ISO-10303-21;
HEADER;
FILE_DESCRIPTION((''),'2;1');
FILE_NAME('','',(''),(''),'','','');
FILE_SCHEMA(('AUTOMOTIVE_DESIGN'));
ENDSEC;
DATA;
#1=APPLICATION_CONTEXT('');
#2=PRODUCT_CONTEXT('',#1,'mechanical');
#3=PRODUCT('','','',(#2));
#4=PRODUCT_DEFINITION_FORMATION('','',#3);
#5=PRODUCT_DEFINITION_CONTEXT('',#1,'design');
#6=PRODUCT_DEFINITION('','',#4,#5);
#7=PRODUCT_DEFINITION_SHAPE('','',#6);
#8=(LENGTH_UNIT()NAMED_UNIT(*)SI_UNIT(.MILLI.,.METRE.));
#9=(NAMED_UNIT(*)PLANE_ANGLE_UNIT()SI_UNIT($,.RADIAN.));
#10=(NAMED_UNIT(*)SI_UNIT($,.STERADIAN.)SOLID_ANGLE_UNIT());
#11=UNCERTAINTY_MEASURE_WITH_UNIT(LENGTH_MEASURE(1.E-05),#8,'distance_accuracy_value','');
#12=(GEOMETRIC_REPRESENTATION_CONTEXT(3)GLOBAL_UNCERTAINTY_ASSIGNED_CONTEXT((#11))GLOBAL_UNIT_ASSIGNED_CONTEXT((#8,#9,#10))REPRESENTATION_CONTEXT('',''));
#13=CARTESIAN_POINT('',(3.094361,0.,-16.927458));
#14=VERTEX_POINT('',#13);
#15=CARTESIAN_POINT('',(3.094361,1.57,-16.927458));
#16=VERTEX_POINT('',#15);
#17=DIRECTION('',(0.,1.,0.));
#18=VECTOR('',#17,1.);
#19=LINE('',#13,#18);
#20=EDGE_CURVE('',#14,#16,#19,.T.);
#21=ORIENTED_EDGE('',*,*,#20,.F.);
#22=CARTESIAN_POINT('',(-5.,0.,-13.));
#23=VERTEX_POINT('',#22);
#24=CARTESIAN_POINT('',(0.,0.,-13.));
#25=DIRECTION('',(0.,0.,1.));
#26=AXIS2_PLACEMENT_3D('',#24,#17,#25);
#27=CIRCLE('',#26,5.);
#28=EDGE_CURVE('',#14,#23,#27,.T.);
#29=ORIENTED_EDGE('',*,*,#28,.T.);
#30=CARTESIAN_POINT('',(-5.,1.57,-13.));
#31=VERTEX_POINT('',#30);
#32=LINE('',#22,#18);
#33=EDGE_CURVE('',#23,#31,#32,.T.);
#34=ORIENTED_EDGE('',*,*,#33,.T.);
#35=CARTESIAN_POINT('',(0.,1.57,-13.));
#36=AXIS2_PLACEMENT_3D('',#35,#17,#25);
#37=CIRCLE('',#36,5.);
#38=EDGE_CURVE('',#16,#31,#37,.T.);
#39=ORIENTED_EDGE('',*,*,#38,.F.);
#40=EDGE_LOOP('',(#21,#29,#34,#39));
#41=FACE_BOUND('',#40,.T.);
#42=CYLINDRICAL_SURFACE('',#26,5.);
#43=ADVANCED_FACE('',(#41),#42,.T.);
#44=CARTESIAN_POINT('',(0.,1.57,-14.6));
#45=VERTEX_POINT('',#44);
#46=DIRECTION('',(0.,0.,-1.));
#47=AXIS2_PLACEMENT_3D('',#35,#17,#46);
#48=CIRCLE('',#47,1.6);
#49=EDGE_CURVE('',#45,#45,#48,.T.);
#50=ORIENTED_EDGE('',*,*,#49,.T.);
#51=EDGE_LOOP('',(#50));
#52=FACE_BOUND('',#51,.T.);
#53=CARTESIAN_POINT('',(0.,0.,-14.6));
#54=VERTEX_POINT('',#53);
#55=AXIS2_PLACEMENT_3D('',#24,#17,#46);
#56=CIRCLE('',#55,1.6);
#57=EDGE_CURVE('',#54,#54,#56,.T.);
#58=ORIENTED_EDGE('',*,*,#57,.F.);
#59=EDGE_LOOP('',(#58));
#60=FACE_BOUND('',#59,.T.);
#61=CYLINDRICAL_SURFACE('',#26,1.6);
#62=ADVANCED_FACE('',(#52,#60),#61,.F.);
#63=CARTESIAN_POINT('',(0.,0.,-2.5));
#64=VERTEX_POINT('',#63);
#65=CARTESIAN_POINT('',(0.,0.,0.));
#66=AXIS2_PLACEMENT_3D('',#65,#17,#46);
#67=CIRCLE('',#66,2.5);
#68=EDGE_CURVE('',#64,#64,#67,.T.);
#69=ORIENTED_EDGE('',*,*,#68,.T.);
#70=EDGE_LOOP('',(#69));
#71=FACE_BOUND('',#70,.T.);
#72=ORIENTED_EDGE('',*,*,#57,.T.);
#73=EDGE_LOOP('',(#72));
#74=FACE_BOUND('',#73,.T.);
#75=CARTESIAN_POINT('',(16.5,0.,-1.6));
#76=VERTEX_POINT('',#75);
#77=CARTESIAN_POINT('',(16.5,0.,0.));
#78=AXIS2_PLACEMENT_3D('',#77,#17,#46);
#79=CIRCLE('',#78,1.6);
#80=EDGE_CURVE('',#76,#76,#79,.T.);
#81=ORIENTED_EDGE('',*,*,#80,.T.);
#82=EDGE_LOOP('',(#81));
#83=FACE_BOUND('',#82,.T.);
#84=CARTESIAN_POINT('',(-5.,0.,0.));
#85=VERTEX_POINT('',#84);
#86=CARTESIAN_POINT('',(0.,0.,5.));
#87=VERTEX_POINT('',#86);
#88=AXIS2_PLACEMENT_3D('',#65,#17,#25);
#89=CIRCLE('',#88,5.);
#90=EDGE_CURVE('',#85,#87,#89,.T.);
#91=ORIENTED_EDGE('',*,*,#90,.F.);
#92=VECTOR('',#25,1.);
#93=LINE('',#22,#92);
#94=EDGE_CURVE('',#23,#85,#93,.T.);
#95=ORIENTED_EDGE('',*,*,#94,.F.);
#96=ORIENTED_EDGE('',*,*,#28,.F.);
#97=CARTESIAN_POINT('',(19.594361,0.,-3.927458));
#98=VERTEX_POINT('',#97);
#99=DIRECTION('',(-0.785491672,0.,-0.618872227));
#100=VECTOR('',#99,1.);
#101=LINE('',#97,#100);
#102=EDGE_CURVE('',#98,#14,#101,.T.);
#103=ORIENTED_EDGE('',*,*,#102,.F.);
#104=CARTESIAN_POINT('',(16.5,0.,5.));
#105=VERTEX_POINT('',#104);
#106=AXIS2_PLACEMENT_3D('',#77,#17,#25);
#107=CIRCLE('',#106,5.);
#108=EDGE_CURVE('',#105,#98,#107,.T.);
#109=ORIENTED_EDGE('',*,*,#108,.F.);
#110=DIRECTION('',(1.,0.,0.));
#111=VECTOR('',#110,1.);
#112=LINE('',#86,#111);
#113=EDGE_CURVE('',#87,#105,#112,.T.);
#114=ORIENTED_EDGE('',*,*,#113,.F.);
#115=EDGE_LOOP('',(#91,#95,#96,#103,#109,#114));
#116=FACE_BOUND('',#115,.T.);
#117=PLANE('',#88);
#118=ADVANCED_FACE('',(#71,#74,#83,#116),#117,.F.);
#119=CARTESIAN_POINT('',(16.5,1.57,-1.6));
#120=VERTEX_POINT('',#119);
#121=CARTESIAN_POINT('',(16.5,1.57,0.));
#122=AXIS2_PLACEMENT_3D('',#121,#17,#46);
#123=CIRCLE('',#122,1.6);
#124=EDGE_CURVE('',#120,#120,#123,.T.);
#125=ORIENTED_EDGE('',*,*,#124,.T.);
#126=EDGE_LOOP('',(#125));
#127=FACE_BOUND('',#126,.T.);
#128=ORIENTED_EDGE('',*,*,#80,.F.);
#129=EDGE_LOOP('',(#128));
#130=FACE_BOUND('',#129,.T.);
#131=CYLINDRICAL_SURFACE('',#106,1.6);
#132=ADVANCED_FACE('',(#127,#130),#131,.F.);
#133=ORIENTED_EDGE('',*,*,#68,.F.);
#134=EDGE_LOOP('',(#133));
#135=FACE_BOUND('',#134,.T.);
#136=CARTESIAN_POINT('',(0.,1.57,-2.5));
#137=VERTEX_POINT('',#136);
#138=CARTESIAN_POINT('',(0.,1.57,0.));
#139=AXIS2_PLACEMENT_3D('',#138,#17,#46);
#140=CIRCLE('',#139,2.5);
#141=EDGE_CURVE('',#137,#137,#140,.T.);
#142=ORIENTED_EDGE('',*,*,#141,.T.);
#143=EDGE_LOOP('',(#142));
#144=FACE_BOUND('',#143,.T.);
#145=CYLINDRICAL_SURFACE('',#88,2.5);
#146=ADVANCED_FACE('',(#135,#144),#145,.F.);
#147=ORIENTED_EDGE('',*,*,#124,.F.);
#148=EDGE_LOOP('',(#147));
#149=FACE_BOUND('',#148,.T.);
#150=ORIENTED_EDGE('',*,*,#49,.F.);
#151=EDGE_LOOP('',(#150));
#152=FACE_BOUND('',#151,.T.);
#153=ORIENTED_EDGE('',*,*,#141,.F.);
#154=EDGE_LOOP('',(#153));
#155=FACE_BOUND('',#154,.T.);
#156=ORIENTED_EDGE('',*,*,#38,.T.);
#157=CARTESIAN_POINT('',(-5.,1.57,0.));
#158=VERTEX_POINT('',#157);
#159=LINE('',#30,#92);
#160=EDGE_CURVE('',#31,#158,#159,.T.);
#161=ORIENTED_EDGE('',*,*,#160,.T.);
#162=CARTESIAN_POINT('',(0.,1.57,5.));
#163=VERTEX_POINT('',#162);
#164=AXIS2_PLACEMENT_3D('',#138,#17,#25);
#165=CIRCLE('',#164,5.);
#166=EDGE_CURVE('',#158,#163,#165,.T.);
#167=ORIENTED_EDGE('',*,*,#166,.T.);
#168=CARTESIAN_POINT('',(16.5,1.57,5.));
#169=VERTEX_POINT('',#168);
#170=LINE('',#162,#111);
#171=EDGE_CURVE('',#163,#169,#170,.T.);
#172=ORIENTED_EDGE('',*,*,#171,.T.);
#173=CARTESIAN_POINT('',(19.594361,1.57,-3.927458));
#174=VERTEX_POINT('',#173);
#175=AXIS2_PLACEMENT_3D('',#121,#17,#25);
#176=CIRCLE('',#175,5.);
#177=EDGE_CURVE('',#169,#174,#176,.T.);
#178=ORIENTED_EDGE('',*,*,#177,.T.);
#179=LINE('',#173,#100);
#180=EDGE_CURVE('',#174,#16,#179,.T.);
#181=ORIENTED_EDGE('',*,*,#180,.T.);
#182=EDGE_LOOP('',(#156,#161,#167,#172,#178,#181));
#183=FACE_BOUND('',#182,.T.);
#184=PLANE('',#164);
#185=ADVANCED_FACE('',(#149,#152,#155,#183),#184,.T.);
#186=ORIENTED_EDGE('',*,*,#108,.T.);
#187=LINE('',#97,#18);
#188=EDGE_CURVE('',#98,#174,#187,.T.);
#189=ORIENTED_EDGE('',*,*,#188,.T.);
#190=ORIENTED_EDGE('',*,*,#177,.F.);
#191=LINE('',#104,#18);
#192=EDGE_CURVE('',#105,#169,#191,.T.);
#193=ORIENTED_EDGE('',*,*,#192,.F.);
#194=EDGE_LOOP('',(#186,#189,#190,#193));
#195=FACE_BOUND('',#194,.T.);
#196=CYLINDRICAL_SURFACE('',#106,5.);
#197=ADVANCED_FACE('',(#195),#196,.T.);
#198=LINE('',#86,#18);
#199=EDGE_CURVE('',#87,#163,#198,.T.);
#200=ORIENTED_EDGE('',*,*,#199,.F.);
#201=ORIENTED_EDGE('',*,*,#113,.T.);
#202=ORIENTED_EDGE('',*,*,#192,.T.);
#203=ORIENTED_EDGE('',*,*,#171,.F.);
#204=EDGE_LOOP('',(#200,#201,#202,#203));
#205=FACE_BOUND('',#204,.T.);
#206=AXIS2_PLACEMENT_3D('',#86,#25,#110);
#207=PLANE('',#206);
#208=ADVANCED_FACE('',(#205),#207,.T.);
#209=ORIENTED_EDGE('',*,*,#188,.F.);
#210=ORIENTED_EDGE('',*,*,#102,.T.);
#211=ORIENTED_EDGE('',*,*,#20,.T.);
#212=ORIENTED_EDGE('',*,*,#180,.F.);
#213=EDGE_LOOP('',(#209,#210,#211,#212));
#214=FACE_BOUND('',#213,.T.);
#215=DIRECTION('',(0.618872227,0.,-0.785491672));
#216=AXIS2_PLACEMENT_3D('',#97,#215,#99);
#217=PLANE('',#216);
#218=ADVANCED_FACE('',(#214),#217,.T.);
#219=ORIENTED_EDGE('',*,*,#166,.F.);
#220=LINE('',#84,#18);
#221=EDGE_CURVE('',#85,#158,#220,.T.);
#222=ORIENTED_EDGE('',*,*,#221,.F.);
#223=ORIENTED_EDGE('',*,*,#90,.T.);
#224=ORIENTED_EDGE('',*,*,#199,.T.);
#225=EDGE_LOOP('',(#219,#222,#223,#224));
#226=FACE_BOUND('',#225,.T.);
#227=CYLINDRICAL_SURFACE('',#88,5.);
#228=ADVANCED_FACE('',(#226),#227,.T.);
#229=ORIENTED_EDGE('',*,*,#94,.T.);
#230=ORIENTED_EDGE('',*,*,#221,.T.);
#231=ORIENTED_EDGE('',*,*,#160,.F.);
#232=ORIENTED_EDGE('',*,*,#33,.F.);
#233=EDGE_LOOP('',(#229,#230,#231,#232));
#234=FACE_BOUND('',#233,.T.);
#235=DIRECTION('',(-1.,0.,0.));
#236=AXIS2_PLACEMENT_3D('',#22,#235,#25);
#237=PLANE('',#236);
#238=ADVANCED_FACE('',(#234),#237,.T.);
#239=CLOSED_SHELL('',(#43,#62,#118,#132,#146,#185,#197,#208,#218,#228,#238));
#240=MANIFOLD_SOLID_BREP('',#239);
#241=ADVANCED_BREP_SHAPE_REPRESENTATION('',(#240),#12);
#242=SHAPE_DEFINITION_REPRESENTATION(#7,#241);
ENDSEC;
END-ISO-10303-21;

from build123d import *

# Parameters (mm, degrees)
SKETCH1_R           = 1.6
SKETCH1_R_2         = 2.5
BOSS_EXTRUDE1_DEPTH = 1.57


with BuildPart() as part:
    # Sketch1 → Boss-Extrude1 (new body)
    with BuildSketch(Plane(origin=(0, 1.57, 0), x_dir=(1, 0, 0), z_dir=(0, 1, 0))):
        with BuildLine():
            Line((0, -5), (16.5, -5))
            ThreePointArc((16.5, -5), (21.224261413, -1.637484075), (19.594361133, 3.927458361))
            Line((19.594361133, 3.927458361), (3.094361133, 16.927458361))
            ThreePointArc((3.094361133, 16.927458361), (-2.182681188, 17.498433375), (-5, 13))
            Line((-5, 13), (-5, 0))
            ThreePointArc((-5, 0), (-3.535533906, -3.535533906), (0, -5))
        make_face()
        with Locations((0, 13)):
            Circle(SKETCH1_R, mode=Mode.SUBTRACT)
        with Locations((16.5, 0)):
            Circle(SKETCH1_R, mode=Mode.SUBTRACT)
        Circle(SKETCH1_R_2, mode=Mode.SUBTRACT)
    extrude(amount=-BOSS_EXTRUDE1_DEPTH)


solid = part.part
